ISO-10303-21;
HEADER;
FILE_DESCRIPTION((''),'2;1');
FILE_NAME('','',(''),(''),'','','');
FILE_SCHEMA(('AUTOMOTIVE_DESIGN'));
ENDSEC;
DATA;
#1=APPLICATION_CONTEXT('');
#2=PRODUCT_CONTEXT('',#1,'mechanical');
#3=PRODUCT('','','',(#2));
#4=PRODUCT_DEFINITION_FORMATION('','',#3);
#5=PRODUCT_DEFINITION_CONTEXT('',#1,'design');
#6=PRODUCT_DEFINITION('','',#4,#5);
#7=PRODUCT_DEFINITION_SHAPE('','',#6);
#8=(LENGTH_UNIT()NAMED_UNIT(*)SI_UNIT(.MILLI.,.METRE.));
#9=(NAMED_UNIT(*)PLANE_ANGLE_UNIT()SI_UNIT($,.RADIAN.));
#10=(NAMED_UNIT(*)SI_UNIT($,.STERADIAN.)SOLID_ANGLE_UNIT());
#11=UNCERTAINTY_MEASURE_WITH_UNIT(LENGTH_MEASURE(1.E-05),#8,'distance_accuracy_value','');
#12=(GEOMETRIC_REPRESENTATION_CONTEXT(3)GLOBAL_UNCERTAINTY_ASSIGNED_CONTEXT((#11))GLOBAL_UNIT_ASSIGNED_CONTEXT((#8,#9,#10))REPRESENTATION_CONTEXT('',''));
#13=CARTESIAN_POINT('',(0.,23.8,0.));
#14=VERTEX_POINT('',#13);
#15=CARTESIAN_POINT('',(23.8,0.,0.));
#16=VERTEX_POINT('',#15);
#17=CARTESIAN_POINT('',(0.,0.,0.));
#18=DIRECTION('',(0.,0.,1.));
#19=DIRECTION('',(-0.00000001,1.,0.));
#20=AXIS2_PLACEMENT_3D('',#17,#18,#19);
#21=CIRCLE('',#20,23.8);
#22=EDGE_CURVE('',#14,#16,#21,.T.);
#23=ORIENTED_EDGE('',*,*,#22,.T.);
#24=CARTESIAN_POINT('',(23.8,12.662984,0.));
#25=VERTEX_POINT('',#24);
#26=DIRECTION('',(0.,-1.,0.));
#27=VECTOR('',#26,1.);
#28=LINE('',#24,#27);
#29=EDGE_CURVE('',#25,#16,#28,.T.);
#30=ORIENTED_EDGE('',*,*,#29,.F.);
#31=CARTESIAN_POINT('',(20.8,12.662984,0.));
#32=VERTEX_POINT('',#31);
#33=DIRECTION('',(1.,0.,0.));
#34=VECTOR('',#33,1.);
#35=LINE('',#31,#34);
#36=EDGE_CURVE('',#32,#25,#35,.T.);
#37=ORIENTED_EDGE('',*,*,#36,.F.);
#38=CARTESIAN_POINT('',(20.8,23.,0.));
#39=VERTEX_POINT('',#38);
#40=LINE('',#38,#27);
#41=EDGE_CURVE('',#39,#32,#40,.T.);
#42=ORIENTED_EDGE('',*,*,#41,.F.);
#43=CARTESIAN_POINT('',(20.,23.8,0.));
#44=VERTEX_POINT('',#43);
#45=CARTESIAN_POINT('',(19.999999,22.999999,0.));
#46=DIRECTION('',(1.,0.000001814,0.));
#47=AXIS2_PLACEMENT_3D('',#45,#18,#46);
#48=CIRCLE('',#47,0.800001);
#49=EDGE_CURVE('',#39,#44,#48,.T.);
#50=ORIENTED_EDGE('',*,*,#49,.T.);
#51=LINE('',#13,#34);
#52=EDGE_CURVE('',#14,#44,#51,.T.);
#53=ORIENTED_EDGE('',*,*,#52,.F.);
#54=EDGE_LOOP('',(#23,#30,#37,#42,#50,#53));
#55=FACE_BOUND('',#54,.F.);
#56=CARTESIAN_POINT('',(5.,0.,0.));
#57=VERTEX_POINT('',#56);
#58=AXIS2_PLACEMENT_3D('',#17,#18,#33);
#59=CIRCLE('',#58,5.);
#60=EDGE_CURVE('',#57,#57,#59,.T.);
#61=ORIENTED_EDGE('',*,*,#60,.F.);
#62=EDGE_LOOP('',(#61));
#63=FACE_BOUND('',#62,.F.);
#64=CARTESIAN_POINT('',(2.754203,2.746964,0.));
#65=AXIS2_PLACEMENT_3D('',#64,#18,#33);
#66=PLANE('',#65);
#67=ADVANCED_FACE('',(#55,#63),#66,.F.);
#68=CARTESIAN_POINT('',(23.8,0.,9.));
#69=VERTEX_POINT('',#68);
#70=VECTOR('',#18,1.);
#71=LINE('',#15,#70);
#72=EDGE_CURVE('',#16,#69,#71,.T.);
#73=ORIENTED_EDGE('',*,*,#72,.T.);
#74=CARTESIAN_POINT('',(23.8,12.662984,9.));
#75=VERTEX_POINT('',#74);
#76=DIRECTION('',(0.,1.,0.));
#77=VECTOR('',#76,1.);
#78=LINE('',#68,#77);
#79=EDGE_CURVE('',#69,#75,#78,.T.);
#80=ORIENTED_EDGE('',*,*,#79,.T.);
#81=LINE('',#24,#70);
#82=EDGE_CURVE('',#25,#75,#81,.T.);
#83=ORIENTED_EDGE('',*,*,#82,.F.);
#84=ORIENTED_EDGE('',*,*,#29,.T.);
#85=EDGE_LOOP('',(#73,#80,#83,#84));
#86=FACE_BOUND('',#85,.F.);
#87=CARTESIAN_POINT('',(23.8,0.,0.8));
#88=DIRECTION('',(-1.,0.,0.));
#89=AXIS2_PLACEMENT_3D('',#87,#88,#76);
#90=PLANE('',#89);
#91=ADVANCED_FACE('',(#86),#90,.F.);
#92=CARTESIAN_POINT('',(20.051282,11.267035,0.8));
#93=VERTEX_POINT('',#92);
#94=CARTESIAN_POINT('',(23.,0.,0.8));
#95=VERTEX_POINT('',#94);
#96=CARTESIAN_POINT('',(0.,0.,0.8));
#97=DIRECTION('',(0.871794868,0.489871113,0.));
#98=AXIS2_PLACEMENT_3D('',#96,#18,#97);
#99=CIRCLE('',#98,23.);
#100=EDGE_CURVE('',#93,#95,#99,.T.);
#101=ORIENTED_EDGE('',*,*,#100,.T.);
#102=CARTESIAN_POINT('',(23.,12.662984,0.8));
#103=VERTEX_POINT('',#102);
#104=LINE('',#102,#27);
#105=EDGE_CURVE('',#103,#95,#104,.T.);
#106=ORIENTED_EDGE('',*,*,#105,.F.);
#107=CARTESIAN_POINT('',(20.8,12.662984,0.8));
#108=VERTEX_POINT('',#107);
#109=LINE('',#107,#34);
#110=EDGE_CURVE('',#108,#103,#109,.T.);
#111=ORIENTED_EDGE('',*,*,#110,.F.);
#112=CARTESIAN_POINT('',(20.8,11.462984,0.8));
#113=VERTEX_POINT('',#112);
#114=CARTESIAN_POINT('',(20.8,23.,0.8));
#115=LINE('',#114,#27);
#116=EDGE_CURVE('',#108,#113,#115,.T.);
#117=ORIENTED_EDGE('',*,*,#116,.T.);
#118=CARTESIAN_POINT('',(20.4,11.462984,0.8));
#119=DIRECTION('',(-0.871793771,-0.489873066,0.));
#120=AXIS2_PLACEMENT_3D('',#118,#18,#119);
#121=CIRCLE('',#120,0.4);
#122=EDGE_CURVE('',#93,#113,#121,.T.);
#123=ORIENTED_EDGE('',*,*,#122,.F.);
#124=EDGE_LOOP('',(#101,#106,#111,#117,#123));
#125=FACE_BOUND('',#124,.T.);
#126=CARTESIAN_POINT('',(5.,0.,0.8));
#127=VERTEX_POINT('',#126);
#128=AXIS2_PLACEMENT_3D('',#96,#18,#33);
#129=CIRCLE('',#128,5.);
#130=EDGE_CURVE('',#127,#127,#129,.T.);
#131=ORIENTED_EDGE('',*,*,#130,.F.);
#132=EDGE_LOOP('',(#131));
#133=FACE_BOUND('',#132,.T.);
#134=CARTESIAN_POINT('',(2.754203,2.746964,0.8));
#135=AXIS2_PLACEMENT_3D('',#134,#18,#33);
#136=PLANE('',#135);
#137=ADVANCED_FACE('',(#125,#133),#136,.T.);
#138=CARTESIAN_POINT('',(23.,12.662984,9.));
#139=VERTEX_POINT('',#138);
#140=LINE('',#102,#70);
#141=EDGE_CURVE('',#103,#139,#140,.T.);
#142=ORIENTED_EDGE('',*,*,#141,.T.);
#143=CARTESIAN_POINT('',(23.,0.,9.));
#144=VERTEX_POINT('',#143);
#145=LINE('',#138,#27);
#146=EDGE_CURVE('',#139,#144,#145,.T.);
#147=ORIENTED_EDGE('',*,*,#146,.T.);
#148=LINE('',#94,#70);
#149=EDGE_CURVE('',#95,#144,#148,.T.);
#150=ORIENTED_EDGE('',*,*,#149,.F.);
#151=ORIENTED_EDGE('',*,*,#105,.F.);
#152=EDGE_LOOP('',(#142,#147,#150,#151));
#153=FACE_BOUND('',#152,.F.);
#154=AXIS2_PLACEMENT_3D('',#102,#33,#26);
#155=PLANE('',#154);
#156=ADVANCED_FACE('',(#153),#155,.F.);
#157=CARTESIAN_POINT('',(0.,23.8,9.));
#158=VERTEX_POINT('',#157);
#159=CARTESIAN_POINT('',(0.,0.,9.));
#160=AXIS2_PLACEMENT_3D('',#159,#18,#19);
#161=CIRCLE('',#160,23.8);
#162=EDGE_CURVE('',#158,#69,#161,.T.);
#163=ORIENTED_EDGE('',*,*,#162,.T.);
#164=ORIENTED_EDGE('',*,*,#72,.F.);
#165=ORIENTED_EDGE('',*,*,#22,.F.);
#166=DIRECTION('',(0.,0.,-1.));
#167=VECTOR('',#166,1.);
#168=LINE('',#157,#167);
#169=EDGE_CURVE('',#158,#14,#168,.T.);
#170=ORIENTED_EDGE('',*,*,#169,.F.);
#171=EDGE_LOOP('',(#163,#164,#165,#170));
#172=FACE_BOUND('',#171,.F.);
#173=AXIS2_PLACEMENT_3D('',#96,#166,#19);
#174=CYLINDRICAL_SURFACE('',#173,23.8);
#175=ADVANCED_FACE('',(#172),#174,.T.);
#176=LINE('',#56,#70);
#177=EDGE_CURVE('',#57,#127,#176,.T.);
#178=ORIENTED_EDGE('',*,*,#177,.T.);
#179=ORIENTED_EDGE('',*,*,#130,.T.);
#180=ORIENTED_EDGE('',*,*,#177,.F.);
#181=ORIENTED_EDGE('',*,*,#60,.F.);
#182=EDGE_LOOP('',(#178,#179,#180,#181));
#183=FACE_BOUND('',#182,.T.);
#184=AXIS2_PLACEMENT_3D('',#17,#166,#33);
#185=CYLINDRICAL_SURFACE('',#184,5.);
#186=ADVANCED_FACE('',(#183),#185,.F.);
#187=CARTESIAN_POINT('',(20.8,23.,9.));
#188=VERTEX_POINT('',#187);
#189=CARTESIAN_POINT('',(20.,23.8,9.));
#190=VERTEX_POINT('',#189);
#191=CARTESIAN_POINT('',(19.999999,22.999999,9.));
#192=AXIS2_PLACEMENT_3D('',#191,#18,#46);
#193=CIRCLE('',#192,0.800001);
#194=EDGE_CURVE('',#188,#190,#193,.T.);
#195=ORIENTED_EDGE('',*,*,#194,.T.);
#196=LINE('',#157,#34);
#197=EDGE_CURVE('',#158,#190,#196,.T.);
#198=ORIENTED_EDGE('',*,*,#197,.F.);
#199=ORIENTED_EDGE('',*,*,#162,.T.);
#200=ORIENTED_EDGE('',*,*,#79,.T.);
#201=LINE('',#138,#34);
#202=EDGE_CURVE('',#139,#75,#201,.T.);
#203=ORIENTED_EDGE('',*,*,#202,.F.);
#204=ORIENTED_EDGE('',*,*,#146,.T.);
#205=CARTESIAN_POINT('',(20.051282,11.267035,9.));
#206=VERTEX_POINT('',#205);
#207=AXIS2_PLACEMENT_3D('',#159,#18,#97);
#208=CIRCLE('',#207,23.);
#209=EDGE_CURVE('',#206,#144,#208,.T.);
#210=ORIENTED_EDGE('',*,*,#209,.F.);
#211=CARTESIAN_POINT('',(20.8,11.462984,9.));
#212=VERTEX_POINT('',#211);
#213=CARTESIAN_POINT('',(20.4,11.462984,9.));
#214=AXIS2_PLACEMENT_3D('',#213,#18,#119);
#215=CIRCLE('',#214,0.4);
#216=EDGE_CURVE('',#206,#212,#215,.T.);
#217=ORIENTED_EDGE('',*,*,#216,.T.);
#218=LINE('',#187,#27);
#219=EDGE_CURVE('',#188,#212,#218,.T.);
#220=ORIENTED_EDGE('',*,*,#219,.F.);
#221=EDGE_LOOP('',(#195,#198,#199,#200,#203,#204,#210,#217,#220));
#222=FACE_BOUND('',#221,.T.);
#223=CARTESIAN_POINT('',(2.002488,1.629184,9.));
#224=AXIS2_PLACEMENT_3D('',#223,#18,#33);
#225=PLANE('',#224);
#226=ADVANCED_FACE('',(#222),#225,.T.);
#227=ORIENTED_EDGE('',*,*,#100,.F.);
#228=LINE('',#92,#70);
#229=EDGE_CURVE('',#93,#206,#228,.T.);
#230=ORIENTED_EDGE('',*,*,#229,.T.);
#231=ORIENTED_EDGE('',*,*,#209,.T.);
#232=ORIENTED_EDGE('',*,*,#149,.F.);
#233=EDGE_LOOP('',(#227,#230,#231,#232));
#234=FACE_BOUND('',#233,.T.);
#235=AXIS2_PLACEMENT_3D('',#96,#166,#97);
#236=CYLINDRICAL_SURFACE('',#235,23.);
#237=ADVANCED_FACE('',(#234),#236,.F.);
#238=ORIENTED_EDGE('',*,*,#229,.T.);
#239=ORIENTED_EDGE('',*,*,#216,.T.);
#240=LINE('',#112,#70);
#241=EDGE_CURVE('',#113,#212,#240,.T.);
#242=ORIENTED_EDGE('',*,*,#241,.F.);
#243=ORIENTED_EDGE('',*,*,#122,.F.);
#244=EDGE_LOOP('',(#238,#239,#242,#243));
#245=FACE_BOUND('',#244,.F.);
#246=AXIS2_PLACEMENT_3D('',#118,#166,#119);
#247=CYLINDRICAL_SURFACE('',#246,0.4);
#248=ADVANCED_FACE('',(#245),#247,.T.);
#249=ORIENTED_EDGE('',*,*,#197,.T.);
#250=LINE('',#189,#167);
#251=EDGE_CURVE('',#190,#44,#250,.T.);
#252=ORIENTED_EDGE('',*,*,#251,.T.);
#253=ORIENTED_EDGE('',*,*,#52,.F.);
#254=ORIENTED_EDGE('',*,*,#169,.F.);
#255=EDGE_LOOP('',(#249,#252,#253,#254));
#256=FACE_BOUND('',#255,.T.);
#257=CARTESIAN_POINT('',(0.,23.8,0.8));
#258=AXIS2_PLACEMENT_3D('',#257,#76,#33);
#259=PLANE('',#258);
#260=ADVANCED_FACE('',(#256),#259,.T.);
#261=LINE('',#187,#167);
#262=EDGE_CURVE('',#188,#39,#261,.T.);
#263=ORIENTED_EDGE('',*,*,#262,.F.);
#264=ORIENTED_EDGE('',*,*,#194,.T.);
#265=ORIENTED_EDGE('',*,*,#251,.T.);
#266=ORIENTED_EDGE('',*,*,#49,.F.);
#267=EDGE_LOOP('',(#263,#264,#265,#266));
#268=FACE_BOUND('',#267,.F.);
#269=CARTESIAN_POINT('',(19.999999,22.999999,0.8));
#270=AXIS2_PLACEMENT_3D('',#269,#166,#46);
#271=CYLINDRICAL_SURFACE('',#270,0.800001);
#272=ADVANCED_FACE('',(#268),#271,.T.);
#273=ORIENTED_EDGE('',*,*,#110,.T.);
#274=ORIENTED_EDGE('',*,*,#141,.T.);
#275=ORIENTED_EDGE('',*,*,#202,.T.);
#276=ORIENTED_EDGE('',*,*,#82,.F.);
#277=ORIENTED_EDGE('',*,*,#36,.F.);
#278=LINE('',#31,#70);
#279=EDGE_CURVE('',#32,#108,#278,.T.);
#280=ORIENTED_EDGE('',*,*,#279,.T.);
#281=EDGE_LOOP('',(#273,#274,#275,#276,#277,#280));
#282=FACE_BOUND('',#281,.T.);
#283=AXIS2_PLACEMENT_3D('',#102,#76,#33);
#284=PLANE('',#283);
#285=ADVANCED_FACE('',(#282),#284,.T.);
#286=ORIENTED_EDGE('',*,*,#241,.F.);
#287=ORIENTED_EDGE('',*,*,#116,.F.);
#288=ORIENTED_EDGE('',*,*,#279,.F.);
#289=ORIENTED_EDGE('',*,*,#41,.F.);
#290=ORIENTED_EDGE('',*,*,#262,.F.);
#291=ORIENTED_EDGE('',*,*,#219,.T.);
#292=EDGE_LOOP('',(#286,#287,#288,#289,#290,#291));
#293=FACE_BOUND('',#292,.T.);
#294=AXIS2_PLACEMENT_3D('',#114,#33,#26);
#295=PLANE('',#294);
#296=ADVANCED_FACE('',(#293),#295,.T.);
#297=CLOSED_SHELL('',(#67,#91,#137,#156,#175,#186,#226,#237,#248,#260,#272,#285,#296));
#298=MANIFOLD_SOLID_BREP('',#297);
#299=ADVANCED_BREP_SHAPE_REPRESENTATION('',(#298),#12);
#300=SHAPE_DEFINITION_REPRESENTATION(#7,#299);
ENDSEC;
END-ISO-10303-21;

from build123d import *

# Parameters (mm, degrees)
SKETCH001_R  = 5
PAD_DEPTH    = 0.8
PAD001_DEPTH = 8.2


with BuildPart() as part:
    # Sketch001 → Pad (new body)
    with BuildSketch(Plane.XY):
        with BuildLine():
            ThreePointArc((0, 23.8), (-16.829141, -16.829141), (23.8, 0))
            Line((23.8, 12.662984), (23.8, 0))
            Line((20.8, 12.662984), (23.8, 12.662984))
            Line((20.8, 23), (20.8, 12.662984))
            ThreePointArc((20.8, 23), (20.565685, 23.565685), (20, 23.8))
            Line((0, 23.8), (20, 23.8))
        make_face()
        Circle(SKETCH001_R, mode=Mode.SUBTRACT)
    extrude(amount=PAD_DEPTH)

    # Sketch002 → Pad001 (join)
    with BuildSketch(Plane.XY.offset(0.8)):
        with BuildLine():
            ThreePointArc((0, 23.8), (-16.829141, -16.829141), (23.8, 0))
            Line((23.8, 0), (23.8, 12.662984))
            Line((23, 12.662984), (23.8, 12.662984))
            Line((23, 12.662984), (23, 0))
            ThreePointArc((20.051282, 11.267035), (-22.250612, -5.823251), (23, 0))
            ThreePointArc((20.051282, 11.267035), (20.501274, 11.076017), (20.8, 11.462984))
            Line((20.8, 23), (20.8, 11.462984))
            ThreePointArc((20.8, 23), (20.565685, 23.565685), (20, 23.8))
            Line((0, 23.8), (20, 23.8))
        make_face()
    extrude(amount=PAD001_DEPTH)


solid = part.part
